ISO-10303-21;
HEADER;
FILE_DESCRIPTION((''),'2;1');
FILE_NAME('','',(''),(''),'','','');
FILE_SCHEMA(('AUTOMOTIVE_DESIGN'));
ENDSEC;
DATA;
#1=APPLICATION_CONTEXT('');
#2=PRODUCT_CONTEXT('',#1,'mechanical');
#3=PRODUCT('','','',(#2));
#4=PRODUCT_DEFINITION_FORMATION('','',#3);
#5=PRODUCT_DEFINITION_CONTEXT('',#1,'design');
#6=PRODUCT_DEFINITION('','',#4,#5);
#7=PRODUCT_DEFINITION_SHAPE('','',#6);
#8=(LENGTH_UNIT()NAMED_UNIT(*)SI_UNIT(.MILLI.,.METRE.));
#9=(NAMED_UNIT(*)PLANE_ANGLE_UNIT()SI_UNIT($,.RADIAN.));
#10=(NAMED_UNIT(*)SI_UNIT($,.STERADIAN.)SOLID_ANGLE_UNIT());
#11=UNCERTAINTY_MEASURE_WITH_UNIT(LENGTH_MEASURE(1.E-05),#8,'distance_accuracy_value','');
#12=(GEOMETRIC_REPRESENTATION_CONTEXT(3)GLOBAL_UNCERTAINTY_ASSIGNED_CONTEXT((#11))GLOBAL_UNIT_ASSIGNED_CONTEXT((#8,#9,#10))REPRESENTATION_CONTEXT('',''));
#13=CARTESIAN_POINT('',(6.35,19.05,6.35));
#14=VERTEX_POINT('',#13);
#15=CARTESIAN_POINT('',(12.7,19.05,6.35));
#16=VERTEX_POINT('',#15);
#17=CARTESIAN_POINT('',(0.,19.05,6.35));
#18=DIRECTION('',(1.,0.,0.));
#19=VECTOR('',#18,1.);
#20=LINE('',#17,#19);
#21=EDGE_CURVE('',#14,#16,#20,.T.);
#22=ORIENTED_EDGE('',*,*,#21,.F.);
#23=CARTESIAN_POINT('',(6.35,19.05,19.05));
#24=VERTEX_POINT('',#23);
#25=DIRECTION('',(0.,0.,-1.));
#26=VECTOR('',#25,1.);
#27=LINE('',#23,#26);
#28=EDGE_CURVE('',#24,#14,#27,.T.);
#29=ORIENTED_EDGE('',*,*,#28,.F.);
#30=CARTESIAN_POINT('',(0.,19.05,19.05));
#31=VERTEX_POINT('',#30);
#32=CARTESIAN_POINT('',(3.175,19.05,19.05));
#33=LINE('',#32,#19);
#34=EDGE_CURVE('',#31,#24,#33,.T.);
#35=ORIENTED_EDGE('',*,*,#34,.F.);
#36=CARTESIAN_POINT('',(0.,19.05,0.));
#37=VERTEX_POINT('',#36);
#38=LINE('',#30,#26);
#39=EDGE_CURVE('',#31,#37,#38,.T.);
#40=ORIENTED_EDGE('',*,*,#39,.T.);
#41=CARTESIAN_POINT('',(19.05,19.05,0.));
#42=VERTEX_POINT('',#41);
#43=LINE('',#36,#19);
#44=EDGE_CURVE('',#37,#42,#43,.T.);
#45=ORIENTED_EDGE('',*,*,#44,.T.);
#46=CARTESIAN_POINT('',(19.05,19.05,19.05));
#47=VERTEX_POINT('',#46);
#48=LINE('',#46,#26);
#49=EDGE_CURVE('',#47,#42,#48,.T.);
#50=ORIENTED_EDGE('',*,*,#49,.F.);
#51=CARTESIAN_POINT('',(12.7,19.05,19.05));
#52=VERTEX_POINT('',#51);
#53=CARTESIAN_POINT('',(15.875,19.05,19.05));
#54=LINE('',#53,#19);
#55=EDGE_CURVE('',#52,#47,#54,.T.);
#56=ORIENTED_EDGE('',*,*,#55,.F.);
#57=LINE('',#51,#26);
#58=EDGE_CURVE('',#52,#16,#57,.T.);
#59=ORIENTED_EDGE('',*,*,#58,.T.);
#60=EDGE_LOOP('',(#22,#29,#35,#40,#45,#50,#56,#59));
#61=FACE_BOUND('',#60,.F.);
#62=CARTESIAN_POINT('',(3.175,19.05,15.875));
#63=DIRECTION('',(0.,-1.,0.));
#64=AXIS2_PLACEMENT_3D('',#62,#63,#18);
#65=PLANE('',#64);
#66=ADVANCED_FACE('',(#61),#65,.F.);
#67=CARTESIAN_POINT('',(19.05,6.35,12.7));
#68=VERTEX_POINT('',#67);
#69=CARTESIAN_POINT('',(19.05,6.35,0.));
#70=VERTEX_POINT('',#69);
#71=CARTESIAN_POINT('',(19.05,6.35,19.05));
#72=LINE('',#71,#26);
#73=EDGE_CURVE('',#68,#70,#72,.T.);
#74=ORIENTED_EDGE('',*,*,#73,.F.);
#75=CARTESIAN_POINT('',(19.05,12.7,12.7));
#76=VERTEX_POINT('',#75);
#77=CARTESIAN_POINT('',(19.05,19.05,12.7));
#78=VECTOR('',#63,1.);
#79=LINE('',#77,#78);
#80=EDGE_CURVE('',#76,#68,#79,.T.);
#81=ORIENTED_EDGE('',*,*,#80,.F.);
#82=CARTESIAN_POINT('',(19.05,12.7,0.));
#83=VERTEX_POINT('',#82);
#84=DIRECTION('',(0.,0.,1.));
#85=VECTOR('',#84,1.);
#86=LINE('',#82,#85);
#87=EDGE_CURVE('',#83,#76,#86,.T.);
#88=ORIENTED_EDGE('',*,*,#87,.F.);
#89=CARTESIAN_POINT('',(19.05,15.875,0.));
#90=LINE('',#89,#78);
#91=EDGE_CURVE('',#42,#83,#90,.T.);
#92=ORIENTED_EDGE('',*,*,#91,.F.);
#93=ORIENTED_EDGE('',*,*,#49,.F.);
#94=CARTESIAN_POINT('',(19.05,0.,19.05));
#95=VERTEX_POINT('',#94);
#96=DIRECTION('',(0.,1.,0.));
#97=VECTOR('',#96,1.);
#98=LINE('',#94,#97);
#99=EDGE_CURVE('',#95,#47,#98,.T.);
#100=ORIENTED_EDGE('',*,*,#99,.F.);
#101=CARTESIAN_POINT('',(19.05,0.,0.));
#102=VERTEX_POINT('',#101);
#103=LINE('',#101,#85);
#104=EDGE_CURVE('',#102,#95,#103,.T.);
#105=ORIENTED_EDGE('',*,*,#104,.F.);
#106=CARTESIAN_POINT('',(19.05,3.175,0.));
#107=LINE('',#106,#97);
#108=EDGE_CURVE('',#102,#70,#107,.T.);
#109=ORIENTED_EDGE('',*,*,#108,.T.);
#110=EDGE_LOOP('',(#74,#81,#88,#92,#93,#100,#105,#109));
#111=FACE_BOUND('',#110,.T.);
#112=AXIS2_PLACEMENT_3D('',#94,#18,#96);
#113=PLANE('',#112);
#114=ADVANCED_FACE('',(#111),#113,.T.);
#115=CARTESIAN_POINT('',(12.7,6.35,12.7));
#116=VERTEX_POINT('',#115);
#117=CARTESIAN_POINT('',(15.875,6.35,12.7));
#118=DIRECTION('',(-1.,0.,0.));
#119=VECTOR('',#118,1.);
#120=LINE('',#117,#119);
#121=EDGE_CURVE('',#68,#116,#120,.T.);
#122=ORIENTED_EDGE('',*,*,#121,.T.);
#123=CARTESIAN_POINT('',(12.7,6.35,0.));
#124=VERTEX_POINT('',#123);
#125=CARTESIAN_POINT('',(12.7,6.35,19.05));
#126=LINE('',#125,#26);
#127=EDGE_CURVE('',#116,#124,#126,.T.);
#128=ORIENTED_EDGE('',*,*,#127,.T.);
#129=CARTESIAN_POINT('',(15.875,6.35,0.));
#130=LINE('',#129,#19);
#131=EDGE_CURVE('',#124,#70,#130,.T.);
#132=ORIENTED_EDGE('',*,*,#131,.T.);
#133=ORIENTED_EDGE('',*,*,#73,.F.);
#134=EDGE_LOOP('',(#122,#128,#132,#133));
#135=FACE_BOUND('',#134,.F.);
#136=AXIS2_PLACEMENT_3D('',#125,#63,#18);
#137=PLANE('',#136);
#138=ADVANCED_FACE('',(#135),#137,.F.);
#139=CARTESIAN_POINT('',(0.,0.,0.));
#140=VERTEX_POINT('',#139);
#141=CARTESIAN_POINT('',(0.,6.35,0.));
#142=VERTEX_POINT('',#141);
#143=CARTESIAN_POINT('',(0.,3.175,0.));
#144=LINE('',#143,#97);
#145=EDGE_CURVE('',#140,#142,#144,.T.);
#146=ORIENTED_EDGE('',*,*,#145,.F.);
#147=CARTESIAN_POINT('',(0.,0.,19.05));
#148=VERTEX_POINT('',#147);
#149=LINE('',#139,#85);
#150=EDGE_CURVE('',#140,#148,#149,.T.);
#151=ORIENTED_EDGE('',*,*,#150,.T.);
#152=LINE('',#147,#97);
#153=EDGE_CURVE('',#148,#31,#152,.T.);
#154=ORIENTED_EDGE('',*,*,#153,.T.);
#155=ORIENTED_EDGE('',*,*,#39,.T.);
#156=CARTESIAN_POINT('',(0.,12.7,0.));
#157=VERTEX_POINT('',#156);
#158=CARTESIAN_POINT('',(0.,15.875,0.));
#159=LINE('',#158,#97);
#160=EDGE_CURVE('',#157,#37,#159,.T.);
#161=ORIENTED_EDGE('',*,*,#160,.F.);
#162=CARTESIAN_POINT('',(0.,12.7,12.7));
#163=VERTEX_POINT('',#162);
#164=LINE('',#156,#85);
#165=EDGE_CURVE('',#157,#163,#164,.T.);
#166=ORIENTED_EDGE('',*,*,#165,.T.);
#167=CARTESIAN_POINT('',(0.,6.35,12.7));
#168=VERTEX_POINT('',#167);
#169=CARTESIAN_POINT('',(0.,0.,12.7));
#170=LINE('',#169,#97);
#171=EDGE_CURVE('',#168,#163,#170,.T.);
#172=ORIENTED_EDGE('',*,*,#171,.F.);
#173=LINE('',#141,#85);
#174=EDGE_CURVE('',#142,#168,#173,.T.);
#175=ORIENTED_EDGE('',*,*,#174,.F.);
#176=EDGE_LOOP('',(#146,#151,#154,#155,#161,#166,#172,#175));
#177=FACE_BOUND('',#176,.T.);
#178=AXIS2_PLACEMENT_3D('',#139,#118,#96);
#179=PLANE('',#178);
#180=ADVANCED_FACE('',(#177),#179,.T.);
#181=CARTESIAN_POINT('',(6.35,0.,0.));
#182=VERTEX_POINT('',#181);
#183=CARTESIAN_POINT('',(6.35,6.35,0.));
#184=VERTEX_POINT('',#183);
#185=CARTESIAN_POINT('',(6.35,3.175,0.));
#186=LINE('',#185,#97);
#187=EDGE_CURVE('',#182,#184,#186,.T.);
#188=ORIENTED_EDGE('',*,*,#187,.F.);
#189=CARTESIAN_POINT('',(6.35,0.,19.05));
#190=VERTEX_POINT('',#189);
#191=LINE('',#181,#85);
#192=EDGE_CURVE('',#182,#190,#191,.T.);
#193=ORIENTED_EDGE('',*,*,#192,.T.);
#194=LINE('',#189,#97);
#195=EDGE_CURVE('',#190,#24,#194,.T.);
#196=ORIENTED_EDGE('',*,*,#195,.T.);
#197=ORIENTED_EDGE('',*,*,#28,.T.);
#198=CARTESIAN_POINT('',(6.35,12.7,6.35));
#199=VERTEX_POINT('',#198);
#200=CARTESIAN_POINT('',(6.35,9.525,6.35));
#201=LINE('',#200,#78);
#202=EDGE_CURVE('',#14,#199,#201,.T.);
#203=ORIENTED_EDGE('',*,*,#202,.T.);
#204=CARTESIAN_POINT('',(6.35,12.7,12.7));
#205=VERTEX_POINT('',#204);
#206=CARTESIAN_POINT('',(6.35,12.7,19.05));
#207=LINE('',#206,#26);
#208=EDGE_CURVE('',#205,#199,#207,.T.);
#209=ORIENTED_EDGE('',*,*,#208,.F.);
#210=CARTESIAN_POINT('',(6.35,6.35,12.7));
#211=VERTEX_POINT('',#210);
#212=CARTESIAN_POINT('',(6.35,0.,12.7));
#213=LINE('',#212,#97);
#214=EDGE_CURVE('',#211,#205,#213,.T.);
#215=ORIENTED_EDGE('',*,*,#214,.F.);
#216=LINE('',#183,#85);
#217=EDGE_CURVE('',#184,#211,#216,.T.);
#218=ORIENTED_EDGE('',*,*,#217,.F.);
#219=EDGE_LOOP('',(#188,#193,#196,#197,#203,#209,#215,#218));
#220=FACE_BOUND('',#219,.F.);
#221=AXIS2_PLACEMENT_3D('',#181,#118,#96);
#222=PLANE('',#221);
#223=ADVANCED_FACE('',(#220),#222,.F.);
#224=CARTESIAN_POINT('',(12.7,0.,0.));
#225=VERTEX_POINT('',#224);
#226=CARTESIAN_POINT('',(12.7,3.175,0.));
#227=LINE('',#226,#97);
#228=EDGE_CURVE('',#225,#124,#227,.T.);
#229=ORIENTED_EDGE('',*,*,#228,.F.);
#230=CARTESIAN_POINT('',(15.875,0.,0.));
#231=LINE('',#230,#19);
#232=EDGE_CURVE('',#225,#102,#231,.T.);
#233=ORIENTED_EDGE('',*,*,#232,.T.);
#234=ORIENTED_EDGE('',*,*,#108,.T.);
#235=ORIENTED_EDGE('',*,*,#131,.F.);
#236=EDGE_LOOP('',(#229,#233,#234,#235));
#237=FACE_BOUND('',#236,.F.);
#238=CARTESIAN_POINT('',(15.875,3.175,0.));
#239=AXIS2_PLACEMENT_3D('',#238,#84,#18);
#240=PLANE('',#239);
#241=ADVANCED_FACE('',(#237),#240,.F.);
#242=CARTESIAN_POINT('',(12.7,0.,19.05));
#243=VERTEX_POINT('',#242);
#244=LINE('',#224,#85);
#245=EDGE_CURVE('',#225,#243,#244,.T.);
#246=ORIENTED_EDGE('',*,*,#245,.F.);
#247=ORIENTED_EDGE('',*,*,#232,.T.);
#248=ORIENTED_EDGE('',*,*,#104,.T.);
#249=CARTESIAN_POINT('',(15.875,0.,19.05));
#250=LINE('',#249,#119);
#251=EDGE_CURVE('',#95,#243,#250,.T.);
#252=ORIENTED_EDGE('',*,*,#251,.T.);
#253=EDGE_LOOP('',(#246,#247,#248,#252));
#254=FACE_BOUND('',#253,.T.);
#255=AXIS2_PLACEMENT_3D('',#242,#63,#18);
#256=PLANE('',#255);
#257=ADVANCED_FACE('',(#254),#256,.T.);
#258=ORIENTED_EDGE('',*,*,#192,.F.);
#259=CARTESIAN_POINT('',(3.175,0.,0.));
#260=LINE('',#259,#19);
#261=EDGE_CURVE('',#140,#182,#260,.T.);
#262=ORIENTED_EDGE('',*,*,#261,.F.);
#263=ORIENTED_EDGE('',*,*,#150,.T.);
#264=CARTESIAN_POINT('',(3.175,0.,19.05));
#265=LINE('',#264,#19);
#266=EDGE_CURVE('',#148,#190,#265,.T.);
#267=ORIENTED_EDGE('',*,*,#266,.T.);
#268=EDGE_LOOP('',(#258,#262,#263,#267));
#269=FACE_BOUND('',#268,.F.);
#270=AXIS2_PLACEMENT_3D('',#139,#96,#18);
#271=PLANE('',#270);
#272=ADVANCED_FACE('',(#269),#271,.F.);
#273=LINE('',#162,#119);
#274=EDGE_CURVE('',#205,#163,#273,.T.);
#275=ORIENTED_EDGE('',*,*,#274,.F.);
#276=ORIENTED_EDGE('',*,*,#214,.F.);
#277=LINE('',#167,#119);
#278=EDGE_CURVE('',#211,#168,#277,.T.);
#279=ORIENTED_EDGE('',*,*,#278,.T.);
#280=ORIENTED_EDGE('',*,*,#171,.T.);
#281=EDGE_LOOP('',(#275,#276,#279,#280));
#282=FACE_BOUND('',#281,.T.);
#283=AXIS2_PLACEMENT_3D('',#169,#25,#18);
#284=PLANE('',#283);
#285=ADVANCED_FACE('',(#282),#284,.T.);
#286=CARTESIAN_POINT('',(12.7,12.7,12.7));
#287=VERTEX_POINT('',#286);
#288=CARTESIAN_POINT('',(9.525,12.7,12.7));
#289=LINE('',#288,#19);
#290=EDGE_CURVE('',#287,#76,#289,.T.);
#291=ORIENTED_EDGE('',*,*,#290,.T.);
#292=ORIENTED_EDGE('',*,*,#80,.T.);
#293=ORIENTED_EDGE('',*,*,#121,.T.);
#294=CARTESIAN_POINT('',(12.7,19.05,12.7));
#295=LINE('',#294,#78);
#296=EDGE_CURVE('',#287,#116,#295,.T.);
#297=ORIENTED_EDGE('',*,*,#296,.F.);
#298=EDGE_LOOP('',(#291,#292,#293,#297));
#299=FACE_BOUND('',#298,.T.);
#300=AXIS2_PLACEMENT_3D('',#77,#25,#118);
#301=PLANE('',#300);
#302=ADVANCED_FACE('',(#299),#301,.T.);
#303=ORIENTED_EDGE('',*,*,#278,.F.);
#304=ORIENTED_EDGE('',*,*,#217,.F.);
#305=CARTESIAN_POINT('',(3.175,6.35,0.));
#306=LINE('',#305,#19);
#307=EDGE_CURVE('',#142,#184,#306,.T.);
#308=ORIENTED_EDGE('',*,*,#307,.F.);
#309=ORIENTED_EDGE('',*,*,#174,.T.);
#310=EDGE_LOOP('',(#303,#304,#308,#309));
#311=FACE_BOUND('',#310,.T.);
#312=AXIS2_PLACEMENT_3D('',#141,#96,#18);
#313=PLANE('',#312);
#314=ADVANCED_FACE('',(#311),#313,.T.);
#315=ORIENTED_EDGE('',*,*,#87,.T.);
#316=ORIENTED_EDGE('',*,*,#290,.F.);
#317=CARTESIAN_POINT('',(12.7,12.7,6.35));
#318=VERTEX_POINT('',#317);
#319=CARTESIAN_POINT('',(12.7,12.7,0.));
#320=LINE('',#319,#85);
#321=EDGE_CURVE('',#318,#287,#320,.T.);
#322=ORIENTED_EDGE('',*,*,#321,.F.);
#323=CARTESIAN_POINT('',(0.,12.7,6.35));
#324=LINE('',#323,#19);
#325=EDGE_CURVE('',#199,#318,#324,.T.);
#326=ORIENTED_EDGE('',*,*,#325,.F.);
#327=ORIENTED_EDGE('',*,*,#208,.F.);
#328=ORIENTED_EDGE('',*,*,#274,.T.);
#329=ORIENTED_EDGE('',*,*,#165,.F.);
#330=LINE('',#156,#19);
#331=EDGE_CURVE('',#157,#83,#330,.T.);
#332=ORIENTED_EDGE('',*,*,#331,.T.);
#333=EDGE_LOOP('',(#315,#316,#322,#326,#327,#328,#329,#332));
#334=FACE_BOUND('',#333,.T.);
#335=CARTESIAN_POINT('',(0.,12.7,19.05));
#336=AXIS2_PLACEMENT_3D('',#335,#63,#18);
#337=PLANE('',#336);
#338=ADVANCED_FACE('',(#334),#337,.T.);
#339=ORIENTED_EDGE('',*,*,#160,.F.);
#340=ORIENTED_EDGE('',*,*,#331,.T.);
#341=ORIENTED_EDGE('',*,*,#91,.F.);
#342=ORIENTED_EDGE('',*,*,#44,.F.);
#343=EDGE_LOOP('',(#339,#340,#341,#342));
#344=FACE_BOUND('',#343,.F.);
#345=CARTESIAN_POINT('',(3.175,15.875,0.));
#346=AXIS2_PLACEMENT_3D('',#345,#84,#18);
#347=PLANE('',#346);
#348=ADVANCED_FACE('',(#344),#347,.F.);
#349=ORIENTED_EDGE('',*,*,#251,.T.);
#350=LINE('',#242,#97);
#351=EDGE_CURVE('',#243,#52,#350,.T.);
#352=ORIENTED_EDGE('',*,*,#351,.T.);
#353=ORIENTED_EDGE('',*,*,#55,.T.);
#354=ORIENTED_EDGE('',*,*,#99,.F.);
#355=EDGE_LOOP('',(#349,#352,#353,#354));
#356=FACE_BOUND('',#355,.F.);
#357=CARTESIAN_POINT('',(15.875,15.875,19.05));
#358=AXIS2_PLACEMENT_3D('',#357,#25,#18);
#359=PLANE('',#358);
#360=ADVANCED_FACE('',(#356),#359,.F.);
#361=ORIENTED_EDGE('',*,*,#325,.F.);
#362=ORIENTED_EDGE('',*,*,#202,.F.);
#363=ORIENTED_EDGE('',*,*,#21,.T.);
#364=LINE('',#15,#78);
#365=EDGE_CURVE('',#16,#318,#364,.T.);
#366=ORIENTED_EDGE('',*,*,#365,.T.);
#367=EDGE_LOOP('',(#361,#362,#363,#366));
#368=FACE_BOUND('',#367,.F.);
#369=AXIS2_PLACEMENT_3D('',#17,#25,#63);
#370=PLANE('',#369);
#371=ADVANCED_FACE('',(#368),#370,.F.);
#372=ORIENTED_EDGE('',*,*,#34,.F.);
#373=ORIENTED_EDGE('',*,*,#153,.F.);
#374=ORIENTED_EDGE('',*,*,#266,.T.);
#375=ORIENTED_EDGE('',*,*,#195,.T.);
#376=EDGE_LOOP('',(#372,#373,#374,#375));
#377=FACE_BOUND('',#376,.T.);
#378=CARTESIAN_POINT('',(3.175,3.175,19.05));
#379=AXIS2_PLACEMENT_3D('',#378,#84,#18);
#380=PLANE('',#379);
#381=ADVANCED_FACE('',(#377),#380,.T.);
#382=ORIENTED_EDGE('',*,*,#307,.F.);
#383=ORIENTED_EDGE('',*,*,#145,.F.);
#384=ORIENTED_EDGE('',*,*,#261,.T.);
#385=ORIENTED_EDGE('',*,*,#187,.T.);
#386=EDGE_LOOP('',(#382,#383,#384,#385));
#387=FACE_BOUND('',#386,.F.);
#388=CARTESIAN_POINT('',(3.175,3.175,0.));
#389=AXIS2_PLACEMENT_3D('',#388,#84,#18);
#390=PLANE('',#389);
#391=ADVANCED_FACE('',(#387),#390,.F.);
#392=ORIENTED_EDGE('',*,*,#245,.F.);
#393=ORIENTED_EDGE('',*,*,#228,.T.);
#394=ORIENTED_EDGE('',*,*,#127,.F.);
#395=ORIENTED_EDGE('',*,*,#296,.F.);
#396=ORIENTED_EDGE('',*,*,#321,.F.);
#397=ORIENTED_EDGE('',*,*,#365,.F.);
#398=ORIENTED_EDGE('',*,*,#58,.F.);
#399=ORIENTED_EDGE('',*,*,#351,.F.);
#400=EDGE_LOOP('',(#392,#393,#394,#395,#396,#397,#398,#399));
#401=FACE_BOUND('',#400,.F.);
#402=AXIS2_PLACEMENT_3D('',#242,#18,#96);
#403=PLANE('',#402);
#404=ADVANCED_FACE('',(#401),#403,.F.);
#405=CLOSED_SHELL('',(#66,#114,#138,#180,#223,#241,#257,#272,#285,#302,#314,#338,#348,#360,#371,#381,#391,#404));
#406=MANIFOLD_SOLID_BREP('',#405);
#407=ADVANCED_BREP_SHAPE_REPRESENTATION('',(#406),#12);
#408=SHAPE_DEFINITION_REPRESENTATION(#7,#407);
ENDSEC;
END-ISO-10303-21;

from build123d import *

# Parameters (mm, degrees)
F0_W      = 6.35
F0_H      = 6.35
F1_DEPTH  = 19.05
F2_W      = 6.35
F2_H      = 6.35
F3_DEPTH  = 19.05
F4_W      = 6.35
F4_H      = 6.35
F5_DEPTH  = 19.05
F6_W      = 6.35
F6_H      = 6.35
F7_DEPTH  = 19.05
F8_W      = 6.35
F8_H      = 6.35
F9_DEPTH  = 19.05
F10_W     = 6.35
F10_H     = 6.35
F11_DEPTH = 19.05
F12_W     = 6.35
F12_H     = 6.35
F13_DEPTH = 19.05


with BuildPart() as f1:
    # F0 (on Top) → F1 (new body)
    with BuildSketch(Plane.XY):
        with Locations((3.175, 3.175)):
            Rectangle(F0_W, F0_H)
    extrude(amount=F1_DEPTH)

    # F2 (on face) → F3 (join)
    with BuildSketch(Plane.XZ):
        with Locations((3.175, 15.875)):
            Rectangle(F2_W, F2_H)
    extrude(amount=-F3_DEPTH)

    # F4 (on face) → F5 (join)
    with BuildSketch(Plane.XY.offset(19.05)):
        with Locations((3.175, 15.875)):
            Rectangle(F4_W, F4_H)
    extrude(amount=-F5_DEPTH)

    # F6 (on face) → F7 (join)
    with BuildSketch(Plane(origin=(0, 0, 0), x_dir=(0, -1, 0), z_dir=(-1, 0, 0))):
        with Locations((-15.875, 3.175)):
            Rectangle(F6_W, F6_H)
    extrude(amount=-F7_DEPTH)

    # F8 (on face) → F9 (join)
    with BuildSketch(Plane(origin=(0, 0, 0), x_dir=(1, 0, 0), z_dir=(0, 0, -1))):
        with Locations((15.875, -15.875)):
            Rectangle(F8_W, F8_H)
    extrude(amount=-F9_DEPTH)

    # F10 (on face) → F11 (join)
    with BuildSketch(Plane(origin=(0, 19.05, 0), x_dir=(-1, 0, 0), z_dir=(0, 1, 0))):
        with Locations((-15.875, 15.875)):
            Rectangle(F10_W, F10_H)
    extrude(amount=-F11_DEPTH)

    # F12 (on face) → F13 (join)
    with BuildSketch(Plane.XY.offset(19.05)):
        with Locations((15.875, 3.175)):
            Rectangle(F12_W, F12_H)
    extrude(amount=-F13_DEPTH)


solid = f1.part
